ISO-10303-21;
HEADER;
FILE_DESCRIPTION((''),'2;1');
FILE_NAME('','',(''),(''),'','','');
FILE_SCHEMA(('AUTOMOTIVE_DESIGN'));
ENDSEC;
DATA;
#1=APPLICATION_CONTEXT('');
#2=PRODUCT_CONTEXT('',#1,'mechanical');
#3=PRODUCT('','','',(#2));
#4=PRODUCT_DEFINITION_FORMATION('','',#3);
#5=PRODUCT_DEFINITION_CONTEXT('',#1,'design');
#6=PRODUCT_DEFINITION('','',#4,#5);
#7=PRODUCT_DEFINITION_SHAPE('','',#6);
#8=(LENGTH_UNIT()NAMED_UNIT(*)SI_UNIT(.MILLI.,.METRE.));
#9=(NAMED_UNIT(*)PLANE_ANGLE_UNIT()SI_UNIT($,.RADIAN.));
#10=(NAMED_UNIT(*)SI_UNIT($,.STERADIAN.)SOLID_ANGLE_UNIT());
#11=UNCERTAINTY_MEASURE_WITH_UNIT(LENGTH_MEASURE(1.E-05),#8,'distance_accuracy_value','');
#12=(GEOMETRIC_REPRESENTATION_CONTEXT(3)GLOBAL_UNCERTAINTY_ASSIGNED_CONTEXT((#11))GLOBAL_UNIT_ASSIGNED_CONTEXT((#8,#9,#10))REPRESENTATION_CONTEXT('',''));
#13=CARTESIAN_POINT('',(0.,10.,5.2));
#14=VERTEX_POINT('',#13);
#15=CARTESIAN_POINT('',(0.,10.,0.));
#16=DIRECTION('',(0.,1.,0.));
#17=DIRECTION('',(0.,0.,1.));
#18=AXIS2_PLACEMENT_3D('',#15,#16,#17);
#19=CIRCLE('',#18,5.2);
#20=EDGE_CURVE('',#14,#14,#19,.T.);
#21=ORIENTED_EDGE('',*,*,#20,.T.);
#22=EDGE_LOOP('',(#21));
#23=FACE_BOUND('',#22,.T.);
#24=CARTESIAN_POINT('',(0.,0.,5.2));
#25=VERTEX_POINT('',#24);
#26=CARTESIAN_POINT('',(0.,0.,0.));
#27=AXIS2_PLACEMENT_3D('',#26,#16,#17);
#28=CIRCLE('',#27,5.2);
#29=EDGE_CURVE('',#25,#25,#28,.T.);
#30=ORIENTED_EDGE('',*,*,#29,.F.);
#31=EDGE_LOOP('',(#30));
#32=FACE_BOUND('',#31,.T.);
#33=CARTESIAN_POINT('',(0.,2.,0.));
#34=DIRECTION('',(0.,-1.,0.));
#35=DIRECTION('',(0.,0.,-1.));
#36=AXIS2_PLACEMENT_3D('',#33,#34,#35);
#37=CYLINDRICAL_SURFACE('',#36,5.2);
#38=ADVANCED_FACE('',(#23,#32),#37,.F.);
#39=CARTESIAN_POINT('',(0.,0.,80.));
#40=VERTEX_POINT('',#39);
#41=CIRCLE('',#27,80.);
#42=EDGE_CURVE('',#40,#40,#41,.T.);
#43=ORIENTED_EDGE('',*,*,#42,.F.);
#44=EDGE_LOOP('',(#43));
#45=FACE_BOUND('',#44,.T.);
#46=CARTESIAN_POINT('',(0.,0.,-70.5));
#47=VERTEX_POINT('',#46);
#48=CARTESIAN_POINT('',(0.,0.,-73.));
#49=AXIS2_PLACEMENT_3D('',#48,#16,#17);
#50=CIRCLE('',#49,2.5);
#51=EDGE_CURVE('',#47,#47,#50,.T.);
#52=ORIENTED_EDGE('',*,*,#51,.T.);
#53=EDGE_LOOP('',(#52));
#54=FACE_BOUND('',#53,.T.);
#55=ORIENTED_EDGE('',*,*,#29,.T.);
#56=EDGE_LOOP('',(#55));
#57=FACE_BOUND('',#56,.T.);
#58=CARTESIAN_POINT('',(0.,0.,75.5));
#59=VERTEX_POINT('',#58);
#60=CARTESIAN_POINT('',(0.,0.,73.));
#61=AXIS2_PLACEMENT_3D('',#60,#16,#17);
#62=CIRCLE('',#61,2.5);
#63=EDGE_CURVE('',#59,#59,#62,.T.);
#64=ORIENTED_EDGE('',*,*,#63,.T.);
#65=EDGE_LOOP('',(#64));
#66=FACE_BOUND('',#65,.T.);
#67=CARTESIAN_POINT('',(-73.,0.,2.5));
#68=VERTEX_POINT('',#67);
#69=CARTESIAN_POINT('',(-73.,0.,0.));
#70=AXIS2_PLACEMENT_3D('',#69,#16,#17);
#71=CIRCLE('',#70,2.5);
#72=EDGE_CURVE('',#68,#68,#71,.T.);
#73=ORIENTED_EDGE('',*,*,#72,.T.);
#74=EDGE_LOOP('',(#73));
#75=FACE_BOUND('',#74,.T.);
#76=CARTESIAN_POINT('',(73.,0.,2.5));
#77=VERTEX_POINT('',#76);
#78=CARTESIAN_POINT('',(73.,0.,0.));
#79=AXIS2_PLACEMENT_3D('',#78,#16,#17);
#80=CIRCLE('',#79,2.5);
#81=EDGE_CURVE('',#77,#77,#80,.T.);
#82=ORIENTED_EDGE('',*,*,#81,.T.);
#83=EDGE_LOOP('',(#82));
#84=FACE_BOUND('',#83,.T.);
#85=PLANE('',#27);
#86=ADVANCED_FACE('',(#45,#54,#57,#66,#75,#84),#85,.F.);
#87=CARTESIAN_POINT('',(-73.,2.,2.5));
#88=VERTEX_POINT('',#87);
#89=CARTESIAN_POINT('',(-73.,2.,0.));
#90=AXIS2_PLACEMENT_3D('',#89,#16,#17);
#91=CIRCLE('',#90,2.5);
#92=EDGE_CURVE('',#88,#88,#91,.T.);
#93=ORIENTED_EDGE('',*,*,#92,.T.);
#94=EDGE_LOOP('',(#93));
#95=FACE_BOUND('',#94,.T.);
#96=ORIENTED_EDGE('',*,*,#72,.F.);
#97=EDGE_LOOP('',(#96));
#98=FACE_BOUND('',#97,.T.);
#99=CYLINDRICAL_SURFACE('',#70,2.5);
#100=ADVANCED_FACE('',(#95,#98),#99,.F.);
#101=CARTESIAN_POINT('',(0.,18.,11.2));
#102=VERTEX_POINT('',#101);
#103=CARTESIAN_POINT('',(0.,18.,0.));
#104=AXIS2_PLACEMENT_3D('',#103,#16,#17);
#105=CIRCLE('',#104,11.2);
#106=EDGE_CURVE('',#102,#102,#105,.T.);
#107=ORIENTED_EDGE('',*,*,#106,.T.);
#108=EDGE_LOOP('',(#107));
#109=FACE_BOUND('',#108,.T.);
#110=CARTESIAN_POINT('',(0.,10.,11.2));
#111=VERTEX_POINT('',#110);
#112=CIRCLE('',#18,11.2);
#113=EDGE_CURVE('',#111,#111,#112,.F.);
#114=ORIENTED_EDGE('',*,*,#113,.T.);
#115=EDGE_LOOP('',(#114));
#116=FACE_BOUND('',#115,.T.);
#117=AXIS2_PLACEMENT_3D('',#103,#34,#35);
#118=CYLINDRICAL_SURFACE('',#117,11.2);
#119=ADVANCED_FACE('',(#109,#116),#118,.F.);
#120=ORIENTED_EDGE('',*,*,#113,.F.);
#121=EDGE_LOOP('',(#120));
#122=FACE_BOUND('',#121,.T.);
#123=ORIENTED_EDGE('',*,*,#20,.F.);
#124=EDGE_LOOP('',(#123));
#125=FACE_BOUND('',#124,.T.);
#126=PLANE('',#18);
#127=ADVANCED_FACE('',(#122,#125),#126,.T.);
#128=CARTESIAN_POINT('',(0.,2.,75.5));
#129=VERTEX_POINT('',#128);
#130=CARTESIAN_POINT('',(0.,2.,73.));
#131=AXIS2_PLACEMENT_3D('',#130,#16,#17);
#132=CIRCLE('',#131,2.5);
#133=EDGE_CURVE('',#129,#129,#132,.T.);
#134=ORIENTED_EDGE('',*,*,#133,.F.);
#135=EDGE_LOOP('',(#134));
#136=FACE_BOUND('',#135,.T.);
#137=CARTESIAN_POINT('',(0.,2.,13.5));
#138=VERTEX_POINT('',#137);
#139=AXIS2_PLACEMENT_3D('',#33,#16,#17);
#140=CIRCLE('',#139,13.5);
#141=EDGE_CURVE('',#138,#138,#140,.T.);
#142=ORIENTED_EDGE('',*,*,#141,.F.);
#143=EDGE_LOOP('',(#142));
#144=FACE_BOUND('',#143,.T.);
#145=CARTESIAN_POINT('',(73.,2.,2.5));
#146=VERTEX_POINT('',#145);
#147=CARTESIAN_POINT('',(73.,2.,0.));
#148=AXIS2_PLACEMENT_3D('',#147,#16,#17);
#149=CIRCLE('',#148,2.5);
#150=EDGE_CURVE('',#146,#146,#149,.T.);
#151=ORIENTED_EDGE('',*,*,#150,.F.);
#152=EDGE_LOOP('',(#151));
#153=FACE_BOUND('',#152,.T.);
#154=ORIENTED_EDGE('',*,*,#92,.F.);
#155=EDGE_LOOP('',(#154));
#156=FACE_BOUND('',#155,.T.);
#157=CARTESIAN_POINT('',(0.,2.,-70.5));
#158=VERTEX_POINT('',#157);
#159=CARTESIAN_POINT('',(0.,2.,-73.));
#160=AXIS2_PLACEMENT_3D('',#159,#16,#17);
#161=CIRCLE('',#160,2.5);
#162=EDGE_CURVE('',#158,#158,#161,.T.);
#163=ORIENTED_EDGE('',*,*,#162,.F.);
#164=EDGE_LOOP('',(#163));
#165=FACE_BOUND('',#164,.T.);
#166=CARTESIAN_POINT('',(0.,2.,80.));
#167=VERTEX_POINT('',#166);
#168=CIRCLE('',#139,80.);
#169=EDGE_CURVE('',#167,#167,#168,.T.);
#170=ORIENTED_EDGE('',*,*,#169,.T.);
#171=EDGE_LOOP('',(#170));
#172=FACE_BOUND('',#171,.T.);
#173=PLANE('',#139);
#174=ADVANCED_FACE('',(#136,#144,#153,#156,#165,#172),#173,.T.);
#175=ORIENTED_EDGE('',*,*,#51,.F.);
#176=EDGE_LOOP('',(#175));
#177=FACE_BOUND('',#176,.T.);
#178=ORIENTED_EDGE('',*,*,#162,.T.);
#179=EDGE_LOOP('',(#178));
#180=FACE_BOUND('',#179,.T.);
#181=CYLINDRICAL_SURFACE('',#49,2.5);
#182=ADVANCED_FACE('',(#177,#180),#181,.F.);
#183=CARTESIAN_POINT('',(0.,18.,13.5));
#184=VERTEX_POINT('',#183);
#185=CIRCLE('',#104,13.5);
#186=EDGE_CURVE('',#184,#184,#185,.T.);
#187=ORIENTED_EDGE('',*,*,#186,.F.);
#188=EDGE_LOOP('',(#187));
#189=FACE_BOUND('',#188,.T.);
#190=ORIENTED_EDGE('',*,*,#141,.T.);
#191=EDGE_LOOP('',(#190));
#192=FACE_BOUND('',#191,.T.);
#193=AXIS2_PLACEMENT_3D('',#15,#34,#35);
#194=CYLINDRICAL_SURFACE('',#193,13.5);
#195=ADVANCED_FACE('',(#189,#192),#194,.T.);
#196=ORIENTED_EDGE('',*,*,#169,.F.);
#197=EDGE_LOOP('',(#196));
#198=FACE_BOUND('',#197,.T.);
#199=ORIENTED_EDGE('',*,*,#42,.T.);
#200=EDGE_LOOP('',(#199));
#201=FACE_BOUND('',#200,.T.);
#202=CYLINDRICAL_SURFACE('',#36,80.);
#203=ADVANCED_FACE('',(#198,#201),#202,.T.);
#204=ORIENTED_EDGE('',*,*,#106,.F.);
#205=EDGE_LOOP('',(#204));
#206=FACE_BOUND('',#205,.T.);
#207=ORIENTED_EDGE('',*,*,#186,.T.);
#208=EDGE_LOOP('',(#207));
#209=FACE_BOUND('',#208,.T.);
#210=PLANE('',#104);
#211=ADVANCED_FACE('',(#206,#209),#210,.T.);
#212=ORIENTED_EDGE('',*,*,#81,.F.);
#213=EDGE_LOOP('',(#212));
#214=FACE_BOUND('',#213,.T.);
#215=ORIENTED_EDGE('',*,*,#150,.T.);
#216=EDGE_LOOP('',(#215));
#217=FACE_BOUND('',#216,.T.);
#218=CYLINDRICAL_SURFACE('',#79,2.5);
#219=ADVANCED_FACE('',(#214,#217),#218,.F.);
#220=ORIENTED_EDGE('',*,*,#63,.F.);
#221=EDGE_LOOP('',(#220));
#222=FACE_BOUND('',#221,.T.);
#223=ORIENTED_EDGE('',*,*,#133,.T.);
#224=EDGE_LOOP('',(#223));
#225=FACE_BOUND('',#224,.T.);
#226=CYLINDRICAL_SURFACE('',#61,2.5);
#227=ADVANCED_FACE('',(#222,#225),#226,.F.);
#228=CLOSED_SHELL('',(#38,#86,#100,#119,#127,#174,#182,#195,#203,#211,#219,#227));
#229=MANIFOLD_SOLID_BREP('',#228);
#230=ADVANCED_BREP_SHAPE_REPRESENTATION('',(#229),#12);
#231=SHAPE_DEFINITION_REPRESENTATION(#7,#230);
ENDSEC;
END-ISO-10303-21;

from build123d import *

# Parameters (mm, degrees)
SKETCH1_R           = 80
SKETCH1_R_2         = 5.2
BOSS_EXTRUDE1_DEPTH = 2
SKETCH2_R           = 2.5
CUT_EXTRUDE1_DEPTH  = 114.154761279
SKETCH3_R           = 13.5
SKETCH3_R_2         = 5.2
BOSS_EXTRUDE2_DEPTH = 8
SKETCH4_R           = 13.5
SKETCH4_R_2         = 11.2
BOSS_EXTRUDE3_DEPTH = 8


with BuildPart() as part:
    # Sketch1 → Boss-Extrude1 (new body)
    with BuildSketch(Plane(origin=(0, 0, 0), x_dir=(1, 0, 0), z_dir=(0, 1, 0))):
        with Locations(Location((0, 0, 0), (0, 0, 270))):
            Circle(SKETCH1_R)
        with Locations(Location((0, 0, 0), (0, 0, 270))):
            Circle(SKETCH1_R_2, mode=Mode.SUBTRACT)
    extrude(amount=BOSS_EXTRUDE1_DEPTH)

    # Sketch2 → Cut-Extrude1 (cut, through all)
    with BuildSketch(Plane(origin=(0, 2, 0), x_dir=(1, 0, 0), z_dir=(0, 1, 0))):
        with Locations(Location((0, 73, 0), (0, 0, 270))):
            Circle(SKETCH2_R)
        with Locations(Location((73, 0, 0), (0, 0, 270))):
            Circle(SKETCH2_R)
        with Locations(Location((0, -73, 0), (0, 0, 270))):
            Circle(SKETCH2_R)
        with Locations(Location((-73, 0, 0), (0, 0, 270))):
            Circle(SKETCH2_R)
    extrude(amount=-CUT_EXTRUDE1_DEPTH, mode=Mode.SUBTRACT)

    # Sketch3 → Boss-Extrude2 (add)
    with BuildSketch(Plane(origin=(0, 2, 0), x_dir=(1, 0, 0), z_dir=(0, 1, 0))):
        with Locations(Location((0, 0, 0), (0, 0, 270))):
            Circle(SKETCH3_R)
        with Locations(Location((0, 0, 0), (0, 0, 270))):
            Circle(SKETCH3_R_2, mode=Mode.SUBTRACT)
    extrude(amount=BOSS_EXTRUDE2_DEPTH)

    # Sketch4 → Boss-Extrude3 (add)
    with BuildSketch(Plane(origin=(0, 10, 0), x_dir=(1, 0, 0), z_dir=(0, 1, 0))):
        with Locations(Location((0, 0, 0), (0, 0, 270))):
            Circle(SKETCH4_R)
        with Locations(Location((0, 0, 0), (0, 0, 270))):
            Circle(SKETCH4_R_2, mode=Mode.SUBTRACT)
    extrude(amount=BOSS_EXTRUDE3_DEPTH)


solid = part.part
